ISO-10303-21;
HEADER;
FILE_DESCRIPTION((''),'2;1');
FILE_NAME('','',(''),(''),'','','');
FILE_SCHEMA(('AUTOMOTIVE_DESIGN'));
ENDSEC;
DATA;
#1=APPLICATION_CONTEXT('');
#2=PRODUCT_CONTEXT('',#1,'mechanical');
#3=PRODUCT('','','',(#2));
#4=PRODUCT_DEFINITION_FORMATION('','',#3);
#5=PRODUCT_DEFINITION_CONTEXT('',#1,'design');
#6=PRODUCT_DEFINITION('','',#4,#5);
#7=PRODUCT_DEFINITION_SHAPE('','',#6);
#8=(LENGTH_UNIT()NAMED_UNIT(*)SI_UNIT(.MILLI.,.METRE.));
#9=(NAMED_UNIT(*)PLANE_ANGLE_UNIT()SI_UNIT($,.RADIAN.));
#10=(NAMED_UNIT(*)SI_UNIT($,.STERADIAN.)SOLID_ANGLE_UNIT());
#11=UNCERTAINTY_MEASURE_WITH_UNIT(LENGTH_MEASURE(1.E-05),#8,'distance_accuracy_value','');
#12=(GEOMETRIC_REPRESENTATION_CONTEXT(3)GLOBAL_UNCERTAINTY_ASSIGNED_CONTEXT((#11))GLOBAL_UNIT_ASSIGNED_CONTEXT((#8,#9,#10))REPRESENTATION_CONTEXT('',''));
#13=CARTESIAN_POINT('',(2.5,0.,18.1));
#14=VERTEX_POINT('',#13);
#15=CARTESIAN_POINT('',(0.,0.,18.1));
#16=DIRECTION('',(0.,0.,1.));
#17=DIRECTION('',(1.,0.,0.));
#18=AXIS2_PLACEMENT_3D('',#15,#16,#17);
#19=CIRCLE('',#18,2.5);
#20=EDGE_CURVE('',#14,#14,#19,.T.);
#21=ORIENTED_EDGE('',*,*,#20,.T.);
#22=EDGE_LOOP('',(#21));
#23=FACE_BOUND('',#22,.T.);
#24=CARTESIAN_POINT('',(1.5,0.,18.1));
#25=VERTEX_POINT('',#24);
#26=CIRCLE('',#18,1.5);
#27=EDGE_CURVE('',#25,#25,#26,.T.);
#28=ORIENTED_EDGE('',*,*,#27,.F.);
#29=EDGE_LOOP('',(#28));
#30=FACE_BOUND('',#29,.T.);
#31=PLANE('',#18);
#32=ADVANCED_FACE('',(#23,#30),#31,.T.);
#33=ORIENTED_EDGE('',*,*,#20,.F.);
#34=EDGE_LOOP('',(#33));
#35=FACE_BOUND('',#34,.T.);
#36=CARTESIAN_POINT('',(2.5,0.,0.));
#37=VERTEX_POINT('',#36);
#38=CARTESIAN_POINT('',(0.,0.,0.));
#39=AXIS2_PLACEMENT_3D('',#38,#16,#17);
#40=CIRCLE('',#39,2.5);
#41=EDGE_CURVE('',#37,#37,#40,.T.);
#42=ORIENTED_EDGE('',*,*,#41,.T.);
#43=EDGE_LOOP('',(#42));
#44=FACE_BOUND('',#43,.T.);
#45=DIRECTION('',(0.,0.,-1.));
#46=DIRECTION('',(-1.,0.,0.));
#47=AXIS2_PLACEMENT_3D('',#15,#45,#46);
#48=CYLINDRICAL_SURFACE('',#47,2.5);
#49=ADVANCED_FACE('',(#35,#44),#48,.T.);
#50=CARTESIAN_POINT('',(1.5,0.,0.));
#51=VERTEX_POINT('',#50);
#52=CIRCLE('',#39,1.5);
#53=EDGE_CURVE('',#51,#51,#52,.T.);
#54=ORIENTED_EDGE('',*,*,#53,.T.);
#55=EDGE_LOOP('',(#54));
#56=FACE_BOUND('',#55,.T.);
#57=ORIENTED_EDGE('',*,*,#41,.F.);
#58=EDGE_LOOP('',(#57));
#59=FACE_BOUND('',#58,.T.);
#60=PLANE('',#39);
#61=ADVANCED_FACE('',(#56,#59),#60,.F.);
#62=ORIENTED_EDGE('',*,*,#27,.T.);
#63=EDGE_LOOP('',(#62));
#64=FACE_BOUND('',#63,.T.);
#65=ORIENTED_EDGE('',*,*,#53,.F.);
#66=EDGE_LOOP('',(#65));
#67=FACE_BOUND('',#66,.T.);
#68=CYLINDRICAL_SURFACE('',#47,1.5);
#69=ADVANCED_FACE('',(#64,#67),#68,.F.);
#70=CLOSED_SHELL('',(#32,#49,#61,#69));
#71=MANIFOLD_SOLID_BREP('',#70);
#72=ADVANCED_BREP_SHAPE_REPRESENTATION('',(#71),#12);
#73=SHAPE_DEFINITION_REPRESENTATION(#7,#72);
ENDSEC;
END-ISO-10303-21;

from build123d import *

# Parameters (mm, degrees)
SKETCH2_R           = 2.5
SKETCH2_R_2         = 1.5
BOSS_EXTRUDE1_DEPTH = 18.1


with BuildPart() as part:
    # Sketch2 → Boss-Extrude1 (new body)
    with BuildSketch(Plane.XY):
        Circle(SKETCH2_R)
        Circle(SKETCH2_R_2, mode=Mode.SUBTRACT)
    extrude(amount=BOSS_EXTRUDE1_DEPTH)


solid = part.part
